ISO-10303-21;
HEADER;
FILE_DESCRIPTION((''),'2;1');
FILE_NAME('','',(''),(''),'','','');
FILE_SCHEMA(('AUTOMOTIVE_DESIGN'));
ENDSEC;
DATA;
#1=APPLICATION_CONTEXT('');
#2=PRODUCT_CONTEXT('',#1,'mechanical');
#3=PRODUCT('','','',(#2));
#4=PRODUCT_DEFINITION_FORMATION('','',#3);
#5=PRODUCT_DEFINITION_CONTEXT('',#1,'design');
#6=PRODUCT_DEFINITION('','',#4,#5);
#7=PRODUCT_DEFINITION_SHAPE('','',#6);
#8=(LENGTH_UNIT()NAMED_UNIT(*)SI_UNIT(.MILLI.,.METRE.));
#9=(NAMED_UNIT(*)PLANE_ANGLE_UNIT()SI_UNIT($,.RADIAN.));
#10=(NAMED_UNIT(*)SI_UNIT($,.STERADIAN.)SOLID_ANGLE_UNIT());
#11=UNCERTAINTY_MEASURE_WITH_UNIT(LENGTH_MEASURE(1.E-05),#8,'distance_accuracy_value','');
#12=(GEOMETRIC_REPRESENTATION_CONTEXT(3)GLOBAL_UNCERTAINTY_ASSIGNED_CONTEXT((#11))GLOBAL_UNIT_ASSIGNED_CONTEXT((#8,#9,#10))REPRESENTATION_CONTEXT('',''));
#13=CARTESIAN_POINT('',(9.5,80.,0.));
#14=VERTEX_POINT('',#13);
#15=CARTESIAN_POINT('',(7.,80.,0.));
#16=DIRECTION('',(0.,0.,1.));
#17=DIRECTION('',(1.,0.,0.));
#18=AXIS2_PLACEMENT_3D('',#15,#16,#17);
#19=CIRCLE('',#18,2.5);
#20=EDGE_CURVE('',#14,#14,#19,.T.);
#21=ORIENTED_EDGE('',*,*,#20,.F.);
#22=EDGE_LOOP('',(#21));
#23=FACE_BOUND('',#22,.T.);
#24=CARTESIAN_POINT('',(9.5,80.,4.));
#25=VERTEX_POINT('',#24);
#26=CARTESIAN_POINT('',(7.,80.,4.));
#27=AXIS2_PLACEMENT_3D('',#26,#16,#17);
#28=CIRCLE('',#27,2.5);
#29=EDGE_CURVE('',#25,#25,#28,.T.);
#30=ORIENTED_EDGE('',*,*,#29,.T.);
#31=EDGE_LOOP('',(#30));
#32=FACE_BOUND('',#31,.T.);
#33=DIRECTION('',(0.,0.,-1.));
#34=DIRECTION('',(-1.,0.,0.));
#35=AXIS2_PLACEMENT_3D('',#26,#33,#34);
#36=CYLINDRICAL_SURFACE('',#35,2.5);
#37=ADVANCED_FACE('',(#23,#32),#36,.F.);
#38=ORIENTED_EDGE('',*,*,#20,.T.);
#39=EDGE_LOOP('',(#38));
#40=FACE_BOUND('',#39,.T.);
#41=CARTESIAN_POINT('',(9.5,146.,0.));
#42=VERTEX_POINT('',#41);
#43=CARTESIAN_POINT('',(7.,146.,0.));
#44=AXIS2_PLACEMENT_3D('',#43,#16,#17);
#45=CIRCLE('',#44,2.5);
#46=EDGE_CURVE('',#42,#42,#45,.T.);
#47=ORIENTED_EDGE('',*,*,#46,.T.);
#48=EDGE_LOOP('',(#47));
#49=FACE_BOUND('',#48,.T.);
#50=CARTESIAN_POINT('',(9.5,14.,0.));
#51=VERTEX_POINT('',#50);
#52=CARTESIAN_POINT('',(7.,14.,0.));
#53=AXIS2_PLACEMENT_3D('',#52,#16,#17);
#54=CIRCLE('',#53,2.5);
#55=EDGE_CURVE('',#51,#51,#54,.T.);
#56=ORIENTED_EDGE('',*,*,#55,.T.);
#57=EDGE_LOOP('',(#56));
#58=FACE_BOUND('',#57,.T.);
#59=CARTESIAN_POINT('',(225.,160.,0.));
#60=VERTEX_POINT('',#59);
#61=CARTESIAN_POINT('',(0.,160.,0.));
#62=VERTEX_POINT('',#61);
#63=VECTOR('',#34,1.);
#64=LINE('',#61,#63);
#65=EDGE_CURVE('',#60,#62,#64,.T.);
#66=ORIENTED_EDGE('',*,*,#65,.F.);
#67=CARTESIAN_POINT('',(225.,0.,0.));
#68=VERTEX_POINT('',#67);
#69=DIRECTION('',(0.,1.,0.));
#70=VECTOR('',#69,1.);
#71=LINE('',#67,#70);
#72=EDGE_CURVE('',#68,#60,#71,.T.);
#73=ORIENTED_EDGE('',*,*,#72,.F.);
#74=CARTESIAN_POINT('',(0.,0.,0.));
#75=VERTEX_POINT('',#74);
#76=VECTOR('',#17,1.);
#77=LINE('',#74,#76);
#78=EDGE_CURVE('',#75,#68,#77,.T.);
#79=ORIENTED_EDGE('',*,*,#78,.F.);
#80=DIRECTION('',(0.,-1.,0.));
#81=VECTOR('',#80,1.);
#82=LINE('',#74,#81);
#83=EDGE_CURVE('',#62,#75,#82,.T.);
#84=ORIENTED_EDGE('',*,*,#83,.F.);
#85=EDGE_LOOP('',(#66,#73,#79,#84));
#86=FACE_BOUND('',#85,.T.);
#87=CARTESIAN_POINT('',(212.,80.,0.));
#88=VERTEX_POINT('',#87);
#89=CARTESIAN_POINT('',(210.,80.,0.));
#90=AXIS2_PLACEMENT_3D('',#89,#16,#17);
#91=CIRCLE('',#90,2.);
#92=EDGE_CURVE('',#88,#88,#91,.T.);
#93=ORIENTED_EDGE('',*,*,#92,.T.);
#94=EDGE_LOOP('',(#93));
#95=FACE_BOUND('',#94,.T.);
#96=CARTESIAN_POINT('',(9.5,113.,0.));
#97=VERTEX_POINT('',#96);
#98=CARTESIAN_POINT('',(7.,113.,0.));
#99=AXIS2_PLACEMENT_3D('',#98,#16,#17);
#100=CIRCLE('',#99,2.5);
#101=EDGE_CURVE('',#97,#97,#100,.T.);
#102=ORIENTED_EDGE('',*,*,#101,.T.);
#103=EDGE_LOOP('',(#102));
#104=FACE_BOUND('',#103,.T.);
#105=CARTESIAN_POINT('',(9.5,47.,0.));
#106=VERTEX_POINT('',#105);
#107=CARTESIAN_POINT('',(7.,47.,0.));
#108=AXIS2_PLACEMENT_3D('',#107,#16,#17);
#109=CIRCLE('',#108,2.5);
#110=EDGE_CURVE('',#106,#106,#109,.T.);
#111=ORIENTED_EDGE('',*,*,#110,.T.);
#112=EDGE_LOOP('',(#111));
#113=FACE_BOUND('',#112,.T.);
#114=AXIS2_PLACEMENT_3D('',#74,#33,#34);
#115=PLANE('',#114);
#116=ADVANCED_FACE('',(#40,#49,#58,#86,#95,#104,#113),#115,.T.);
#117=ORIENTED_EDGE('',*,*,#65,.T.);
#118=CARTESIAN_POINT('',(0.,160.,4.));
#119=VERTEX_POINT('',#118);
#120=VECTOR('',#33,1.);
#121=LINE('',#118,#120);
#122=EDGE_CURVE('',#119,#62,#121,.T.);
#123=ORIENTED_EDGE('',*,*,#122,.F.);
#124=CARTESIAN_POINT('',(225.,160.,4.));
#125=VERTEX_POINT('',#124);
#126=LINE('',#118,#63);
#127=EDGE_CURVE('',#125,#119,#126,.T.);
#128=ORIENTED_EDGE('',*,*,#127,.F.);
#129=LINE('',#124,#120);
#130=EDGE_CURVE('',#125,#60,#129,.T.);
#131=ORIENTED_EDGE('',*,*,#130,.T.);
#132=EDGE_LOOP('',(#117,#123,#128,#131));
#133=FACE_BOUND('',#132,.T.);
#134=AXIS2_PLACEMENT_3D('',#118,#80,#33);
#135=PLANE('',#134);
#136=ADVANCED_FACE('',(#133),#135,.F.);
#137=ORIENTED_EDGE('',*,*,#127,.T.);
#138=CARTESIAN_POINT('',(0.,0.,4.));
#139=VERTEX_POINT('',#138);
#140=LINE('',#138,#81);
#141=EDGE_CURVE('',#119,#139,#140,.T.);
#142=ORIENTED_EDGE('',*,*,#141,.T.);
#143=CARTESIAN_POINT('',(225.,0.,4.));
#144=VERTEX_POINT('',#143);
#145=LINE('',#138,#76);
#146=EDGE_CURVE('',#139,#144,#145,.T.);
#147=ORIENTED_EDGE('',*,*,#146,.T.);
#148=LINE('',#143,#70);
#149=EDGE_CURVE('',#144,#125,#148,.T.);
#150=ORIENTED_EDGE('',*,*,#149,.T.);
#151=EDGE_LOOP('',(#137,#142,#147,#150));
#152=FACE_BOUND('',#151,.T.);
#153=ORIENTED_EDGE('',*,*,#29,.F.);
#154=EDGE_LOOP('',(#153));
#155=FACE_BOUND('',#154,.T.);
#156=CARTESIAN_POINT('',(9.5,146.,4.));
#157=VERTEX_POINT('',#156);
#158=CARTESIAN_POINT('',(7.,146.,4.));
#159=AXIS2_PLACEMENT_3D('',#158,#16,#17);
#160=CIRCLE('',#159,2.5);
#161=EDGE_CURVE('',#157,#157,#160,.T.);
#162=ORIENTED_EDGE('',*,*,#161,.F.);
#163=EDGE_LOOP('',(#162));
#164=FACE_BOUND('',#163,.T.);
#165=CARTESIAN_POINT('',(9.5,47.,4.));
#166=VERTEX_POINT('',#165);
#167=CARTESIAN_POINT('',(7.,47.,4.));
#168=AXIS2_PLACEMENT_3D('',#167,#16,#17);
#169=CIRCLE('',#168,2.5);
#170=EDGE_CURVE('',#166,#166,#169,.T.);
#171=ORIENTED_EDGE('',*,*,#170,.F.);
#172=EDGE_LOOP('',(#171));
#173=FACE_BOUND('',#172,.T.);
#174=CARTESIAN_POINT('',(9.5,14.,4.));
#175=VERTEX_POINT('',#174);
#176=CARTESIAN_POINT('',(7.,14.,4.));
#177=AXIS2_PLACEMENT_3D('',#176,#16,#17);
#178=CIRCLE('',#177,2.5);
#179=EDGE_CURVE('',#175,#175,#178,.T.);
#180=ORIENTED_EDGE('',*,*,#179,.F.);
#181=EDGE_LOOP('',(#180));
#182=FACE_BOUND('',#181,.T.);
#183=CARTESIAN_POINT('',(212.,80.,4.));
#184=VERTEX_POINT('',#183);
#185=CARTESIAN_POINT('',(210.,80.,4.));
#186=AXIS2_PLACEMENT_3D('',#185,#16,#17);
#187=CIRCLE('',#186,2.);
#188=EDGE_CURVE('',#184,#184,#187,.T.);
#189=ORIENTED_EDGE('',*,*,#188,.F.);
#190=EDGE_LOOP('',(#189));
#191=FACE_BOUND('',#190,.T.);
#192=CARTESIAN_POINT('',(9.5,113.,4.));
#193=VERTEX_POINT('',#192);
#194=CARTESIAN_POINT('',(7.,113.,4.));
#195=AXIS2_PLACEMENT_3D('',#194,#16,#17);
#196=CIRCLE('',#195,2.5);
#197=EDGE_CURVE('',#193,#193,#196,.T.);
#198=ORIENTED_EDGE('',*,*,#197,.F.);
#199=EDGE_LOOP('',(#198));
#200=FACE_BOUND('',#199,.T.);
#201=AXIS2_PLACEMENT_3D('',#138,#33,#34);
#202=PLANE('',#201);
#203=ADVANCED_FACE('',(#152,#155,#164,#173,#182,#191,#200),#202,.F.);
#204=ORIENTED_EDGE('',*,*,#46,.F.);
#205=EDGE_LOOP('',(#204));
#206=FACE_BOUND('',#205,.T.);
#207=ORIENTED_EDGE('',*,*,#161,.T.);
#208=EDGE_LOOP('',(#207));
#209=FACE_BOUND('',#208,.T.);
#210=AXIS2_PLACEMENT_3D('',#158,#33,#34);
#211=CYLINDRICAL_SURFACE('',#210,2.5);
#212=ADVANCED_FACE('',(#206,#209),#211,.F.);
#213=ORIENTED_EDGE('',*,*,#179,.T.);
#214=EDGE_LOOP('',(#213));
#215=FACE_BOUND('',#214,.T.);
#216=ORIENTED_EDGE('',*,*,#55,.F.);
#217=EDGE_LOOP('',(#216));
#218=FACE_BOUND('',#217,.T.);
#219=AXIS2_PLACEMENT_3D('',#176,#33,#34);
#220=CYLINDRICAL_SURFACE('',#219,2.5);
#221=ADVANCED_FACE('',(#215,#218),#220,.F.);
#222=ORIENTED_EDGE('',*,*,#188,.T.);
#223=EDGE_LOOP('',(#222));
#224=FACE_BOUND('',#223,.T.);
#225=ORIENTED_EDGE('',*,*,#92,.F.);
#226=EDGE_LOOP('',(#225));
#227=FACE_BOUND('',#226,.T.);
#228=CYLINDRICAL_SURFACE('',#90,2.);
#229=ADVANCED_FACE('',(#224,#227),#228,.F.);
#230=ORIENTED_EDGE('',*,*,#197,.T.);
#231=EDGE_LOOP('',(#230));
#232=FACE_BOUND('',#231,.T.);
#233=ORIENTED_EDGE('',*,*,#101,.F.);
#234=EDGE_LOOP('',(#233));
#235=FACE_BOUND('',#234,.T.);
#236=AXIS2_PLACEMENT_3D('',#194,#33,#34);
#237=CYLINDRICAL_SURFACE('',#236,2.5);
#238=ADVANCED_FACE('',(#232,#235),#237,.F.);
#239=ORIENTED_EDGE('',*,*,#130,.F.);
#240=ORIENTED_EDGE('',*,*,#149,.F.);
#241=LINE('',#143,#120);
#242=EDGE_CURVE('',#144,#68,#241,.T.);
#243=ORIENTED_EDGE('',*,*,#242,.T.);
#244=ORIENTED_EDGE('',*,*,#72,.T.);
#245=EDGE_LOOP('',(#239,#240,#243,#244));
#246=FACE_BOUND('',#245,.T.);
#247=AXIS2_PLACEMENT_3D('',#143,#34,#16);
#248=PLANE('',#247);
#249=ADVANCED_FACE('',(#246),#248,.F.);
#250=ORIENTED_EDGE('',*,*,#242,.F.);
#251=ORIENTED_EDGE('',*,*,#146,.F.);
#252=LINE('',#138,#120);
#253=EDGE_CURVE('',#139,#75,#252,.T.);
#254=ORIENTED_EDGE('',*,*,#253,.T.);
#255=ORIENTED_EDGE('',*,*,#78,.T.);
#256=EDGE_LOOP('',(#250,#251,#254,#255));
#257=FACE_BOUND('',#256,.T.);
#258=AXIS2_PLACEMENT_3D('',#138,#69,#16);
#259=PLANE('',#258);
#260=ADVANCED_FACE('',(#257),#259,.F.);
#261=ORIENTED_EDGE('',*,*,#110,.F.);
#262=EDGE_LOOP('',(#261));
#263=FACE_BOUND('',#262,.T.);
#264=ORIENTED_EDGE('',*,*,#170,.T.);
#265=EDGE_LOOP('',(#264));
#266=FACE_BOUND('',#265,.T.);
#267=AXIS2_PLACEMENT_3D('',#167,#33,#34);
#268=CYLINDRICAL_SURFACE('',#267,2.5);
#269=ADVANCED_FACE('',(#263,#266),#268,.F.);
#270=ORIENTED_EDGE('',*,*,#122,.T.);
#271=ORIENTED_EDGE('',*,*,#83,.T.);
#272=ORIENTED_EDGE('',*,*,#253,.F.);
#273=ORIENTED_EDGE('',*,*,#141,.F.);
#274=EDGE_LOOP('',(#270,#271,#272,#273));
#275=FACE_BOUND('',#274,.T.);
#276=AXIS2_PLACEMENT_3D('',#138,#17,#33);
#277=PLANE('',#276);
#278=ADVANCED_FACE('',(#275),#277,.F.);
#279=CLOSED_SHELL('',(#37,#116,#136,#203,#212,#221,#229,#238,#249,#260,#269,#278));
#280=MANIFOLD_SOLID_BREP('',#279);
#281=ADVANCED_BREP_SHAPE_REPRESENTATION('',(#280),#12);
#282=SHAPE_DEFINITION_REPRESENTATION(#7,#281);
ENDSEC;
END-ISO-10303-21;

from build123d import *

# Parameters (mm, degrees)
SKETCH_1_W          = 225
SKETCH_1_H          = 160
SKETCH_1_R          = 2.5
EXTRUDE_1_DEPTH     = 4
SKETCH_2_R          = 2
CUT_EXTRUDE_1_DEPTH = 277.117728514


with BuildPart() as part:
    # Эскиз1 → Бобышка-Вытянуть1 (new body)
    with BuildSketch(Plane.XY):
        with Locations((112.5, 80)):
            Rectangle(SKETCH_1_W, SKETCH_1_H)
        with Locations((7, 80)):
            Circle(SKETCH_1_R, mode=Mode.SUBTRACT)
        with Locations((7, 47)):
            Circle(SKETCH_1_R, mode=Mode.SUBTRACT)
        with Locations((7, 14)):
            Circle(SKETCH_1_R, mode=Mode.SUBTRACT)
        with Locations((7, 113)):
            Circle(SKETCH_1_R, mode=Mode.SUBTRACT)
        with Locations((7, 146)):
            Circle(SKETCH_1_R, mode=Mode.SUBTRACT)
    extrude(amount=EXTRUDE_1_DEPTH)

    # Эскиз2 → Вырез-Вытянуть1 (cut, through all)
    with BuildSketch(Plane.XY.offset(4)):
        with Locations((210, 80)):
            Circle(SKETCH_2_R)
    extrude(amount=-CUT_EXTRUDE_1_DEPTH, mode=Mode.SUBTRACT)


solid = part.part
